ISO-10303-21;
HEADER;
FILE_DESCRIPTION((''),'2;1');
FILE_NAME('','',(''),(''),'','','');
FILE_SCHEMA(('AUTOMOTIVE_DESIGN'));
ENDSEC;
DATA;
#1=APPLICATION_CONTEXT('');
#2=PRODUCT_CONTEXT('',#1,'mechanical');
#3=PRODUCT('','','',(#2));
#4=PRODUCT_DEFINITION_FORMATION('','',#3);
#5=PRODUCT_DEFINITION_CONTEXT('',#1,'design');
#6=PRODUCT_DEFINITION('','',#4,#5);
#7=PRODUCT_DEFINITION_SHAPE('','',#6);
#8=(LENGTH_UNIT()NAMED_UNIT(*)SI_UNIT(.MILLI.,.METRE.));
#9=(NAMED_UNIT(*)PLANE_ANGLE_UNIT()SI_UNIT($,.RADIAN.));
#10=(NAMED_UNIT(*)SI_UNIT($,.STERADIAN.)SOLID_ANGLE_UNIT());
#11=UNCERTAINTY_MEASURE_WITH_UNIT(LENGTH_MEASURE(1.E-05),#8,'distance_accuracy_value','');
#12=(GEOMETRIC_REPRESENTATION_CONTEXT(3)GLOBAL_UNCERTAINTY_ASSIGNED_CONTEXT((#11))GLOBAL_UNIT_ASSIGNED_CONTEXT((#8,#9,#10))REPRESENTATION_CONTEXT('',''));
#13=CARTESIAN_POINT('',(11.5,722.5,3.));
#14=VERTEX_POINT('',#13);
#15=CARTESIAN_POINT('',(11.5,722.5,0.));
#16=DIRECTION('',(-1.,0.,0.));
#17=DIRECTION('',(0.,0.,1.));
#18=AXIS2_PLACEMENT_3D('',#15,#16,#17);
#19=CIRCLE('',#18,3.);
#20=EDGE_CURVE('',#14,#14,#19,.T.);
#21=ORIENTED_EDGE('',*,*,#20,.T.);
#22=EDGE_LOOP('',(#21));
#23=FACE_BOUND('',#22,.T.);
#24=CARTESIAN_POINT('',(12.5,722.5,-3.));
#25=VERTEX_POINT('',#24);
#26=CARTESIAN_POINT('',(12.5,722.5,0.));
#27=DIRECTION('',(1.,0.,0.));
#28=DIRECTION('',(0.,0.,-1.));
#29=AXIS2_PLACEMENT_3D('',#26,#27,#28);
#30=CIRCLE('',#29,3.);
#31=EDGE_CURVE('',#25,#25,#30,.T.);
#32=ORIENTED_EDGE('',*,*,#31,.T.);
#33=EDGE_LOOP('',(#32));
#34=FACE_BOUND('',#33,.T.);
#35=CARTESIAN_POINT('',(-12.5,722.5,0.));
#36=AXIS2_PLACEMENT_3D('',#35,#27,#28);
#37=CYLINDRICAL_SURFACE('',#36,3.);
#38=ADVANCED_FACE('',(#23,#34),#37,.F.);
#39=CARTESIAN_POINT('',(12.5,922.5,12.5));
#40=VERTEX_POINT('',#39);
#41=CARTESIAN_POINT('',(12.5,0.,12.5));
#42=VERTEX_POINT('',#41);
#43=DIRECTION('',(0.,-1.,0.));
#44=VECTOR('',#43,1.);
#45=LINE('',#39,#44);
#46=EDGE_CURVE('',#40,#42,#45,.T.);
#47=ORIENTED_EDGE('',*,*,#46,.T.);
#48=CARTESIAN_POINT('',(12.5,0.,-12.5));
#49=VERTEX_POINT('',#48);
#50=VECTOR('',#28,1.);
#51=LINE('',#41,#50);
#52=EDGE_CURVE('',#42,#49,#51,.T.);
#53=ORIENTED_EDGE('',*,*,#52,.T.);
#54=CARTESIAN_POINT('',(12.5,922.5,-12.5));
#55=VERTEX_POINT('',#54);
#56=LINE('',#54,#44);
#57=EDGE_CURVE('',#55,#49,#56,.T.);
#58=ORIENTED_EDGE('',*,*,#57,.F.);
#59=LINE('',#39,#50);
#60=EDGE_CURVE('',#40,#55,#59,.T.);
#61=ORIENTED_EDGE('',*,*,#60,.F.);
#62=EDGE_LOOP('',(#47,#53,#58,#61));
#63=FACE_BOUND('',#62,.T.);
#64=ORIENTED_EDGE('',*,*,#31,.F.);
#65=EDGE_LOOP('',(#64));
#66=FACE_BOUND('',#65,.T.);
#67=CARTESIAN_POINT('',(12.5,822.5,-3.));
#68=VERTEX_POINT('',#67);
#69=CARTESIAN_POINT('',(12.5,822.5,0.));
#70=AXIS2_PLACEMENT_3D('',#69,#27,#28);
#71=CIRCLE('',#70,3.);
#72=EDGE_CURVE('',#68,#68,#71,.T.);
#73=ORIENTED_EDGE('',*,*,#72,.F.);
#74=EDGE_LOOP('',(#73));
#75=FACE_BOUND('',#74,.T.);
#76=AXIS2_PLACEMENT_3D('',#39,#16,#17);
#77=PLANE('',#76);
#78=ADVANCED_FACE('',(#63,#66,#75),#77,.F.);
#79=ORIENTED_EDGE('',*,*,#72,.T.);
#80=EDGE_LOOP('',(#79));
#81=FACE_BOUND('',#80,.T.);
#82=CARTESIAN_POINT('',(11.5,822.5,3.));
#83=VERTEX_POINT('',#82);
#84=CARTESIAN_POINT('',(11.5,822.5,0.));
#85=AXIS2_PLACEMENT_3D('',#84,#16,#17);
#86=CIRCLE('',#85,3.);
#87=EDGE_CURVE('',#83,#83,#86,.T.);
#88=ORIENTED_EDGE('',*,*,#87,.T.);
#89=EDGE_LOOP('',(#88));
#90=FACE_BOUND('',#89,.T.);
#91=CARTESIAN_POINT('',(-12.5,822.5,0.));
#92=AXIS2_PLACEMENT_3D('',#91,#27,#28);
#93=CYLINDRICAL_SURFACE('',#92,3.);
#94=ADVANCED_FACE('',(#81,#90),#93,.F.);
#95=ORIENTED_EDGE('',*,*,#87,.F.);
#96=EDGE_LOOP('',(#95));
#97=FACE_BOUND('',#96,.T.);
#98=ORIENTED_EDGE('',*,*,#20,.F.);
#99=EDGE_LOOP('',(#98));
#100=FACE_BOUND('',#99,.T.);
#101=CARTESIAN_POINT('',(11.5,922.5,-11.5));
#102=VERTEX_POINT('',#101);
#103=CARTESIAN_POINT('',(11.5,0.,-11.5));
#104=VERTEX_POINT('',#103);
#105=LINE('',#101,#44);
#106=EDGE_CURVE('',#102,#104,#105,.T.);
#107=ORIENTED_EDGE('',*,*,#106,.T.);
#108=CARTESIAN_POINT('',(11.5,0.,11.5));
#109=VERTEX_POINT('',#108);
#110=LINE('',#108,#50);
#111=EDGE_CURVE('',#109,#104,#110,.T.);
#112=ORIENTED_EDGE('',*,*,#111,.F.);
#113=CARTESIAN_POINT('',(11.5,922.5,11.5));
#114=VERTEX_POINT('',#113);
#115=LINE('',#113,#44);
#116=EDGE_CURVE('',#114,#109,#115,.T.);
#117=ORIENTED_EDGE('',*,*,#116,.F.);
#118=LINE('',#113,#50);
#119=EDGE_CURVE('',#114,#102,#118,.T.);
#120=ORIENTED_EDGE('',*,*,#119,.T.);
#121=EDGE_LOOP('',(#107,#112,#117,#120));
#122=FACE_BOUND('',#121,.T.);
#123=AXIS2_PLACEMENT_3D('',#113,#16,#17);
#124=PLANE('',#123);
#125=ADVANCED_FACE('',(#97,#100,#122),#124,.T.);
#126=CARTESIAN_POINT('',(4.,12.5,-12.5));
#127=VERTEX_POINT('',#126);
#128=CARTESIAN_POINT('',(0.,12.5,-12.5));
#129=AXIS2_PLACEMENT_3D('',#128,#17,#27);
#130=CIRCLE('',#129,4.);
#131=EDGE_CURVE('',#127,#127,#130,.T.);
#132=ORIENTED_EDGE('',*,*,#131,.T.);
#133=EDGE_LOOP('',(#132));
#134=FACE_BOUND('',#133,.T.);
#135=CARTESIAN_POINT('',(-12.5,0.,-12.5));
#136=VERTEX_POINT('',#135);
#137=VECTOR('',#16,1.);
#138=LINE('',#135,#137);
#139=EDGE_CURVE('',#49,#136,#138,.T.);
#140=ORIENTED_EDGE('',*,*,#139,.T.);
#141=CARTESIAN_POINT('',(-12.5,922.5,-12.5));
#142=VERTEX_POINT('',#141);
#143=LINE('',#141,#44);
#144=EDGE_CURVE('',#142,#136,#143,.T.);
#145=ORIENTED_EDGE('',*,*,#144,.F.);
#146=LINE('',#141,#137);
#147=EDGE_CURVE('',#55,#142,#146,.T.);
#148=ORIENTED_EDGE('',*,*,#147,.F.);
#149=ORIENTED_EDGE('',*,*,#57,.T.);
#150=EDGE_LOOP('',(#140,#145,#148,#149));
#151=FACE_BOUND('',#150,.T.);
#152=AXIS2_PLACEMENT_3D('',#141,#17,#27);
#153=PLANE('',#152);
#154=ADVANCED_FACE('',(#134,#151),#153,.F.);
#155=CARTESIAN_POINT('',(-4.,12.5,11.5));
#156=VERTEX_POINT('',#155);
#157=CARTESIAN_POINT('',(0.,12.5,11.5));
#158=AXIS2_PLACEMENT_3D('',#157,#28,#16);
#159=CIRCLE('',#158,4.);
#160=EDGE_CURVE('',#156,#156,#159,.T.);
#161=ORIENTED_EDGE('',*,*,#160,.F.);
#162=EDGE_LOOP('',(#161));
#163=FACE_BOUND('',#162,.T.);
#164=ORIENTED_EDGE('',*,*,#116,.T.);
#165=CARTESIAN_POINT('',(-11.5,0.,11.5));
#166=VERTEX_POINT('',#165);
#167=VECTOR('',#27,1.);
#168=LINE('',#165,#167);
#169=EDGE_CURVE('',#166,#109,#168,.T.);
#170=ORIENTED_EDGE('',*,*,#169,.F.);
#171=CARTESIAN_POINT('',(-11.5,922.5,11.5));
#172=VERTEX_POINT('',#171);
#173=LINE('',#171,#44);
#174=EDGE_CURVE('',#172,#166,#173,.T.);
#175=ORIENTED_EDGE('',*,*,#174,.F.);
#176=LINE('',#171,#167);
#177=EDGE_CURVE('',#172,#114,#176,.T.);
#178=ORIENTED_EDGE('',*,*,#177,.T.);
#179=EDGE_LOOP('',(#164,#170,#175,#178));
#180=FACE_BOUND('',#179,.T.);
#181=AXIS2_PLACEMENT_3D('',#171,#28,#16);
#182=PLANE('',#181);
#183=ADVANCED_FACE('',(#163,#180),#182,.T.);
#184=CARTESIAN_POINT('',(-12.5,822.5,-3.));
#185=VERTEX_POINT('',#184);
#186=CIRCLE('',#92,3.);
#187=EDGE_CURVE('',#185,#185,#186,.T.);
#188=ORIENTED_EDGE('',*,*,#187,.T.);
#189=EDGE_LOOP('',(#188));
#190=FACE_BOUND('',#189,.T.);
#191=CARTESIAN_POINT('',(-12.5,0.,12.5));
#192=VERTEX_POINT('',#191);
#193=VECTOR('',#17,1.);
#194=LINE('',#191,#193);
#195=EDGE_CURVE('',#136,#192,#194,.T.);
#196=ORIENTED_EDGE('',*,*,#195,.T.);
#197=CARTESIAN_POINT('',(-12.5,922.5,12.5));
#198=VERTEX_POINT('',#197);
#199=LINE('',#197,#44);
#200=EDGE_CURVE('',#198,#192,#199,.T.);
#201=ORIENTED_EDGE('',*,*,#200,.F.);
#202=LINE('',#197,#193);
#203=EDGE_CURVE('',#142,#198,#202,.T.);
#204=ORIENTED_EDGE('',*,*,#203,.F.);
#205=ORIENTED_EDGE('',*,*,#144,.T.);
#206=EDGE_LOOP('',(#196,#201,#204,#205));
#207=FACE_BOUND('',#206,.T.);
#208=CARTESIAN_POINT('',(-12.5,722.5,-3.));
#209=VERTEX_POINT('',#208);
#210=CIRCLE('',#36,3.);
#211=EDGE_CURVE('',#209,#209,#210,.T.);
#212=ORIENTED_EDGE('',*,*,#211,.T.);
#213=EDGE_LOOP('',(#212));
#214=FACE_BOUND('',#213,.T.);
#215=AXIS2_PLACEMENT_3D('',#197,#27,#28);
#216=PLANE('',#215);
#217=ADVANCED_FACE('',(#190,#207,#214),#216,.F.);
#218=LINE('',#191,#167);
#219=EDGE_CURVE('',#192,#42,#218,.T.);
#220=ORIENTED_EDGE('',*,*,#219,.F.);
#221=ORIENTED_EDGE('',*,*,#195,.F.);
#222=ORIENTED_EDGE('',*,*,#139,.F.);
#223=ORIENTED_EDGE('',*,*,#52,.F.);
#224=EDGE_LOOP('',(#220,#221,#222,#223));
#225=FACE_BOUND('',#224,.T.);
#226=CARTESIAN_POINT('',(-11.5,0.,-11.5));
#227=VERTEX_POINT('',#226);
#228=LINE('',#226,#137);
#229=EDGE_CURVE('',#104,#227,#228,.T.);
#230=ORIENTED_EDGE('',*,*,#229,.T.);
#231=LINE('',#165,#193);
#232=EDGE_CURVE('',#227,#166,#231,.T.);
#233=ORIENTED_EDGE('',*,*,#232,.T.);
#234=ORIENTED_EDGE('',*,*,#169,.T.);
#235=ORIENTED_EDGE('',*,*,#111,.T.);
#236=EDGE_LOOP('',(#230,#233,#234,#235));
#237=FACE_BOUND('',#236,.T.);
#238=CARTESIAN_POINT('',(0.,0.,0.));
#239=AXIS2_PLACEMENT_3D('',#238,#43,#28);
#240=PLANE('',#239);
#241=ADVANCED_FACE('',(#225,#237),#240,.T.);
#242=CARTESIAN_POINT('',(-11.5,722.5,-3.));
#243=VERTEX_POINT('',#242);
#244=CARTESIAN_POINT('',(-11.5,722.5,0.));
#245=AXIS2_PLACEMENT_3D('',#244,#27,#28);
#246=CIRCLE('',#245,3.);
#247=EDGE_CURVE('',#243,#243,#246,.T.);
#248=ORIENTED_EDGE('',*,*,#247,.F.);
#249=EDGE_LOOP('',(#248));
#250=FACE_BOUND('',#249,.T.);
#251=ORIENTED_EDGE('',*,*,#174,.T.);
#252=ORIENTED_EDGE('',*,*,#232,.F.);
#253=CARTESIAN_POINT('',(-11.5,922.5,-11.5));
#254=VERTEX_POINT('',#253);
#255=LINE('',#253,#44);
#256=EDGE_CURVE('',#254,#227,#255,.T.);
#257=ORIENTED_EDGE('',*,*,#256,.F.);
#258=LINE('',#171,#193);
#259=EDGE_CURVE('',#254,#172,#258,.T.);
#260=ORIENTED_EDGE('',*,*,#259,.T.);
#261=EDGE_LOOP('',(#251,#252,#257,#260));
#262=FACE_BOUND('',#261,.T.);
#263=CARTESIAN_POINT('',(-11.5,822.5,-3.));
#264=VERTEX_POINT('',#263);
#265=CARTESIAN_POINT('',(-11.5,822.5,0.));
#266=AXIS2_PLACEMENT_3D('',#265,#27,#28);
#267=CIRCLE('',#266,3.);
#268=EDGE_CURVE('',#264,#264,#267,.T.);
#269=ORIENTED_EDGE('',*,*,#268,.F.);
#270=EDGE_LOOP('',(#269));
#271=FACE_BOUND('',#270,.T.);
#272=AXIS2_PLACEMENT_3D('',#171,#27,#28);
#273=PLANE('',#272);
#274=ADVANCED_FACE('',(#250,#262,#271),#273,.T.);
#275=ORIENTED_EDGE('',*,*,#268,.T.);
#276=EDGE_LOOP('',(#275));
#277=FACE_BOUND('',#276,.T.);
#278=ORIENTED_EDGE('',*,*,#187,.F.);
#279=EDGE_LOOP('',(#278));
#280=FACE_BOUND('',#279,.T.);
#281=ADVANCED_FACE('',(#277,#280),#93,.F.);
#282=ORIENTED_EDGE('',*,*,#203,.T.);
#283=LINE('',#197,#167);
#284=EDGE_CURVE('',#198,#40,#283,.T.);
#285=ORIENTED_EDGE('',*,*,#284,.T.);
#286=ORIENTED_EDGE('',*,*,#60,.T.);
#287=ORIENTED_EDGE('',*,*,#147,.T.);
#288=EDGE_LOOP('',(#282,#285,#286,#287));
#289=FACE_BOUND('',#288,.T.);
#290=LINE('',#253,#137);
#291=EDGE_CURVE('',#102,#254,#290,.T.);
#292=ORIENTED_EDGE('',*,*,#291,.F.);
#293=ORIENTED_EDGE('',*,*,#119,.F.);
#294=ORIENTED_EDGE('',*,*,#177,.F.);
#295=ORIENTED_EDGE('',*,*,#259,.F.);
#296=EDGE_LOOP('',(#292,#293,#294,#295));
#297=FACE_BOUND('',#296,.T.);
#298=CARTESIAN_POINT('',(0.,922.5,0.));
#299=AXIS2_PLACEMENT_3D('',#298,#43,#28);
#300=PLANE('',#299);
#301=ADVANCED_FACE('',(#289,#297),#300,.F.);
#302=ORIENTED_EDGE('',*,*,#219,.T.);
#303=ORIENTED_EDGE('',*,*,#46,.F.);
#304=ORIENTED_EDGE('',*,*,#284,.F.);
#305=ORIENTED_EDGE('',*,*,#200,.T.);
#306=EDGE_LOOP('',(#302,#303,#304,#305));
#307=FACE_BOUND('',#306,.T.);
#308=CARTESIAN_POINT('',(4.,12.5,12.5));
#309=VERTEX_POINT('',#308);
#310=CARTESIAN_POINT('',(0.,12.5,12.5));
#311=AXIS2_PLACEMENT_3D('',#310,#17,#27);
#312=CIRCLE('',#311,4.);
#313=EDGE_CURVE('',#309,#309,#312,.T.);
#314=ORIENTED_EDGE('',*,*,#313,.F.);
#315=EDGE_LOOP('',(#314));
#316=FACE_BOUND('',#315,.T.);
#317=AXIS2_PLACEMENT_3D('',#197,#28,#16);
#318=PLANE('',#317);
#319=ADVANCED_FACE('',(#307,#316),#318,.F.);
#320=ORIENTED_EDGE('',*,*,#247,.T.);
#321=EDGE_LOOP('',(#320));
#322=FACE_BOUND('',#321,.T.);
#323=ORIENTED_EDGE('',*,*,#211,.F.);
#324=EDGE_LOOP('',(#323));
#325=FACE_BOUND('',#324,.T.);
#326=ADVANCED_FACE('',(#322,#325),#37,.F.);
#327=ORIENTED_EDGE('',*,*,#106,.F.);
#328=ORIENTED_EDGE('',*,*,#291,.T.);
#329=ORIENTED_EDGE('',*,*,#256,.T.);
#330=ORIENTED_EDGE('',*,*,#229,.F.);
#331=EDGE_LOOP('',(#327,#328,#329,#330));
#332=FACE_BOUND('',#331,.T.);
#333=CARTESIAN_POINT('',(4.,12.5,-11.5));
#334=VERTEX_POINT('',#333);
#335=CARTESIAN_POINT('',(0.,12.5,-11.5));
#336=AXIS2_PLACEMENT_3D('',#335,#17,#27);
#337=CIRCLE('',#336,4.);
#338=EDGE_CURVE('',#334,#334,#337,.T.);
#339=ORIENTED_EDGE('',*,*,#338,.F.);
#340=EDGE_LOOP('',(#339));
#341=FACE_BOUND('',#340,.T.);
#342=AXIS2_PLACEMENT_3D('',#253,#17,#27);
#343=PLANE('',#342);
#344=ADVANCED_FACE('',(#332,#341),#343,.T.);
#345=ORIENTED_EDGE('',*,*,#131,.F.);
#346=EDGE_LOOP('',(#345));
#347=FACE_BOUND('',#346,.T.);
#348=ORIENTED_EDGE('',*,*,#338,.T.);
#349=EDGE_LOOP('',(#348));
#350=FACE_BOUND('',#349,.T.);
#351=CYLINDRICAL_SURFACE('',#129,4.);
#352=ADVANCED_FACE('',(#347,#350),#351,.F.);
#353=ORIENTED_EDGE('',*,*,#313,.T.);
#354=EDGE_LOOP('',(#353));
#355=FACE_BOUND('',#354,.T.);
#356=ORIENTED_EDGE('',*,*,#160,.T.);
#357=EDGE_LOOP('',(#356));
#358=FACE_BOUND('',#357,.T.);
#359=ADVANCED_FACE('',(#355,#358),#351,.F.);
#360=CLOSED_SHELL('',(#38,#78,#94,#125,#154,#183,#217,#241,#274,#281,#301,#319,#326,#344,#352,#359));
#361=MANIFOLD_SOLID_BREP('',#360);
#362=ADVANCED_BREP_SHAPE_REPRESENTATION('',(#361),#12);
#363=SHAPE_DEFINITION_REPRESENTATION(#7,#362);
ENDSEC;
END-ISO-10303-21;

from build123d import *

# Parameters (mm, degrees)
SKETCH1_W           = 25
SKETCH1_H           = 25
SKETCH1_W_2         = 23
SKETCH1_H_2         = 23
BOSS_EXTRUDE1_DEPTH = 922.5
SKETCH2_R           = 3
CUT_EXTRUDE1_DEPTH  = 923.923344596
SKETCH3_R           = 4
CUT_EXTRUDE2_DEPTH  = 923.923344596


with BuildPart() as part:
    # Sketch1 → Boss-Extrude1 (new body)
    with BuildSketch(Plane(origin=(0, 0, 0), x_dir=(1, 0, 0), z_dir=(0, 1, 0))):
        Rectangle(SKETCH1_W, SKETCH1_H)
        Rectangle(SKETCH1_W_2, SKETCH1_H_2, mode=Mode.SUBTRACT)
    extrude(amount=BOSS_EXTRUDE1_DEPTH)

    # Sketch2 → Cut-Extrude1 (cut, through all)
    with BuildSketch(Plane(origin=(12.5, 0, 0), x_dir=(0, 0, -1), z_dir=(1, 0, 0))):
        with Locations((0, 822.5)):
            Circle(SKETCH2_R)
        with Locations((0, 722.5)):
            Circle(SKETCH2_R)
    extrude(amount=-CUT_EXTRUDE1_DEPTH, mode=Mode.SUBTRACT)

    # Sketch3 → Cut-Extrude2 (cut, through all)
    with BuildSketch(Plane.XY.offset(12.5)):
        with Locations((0, 12.5)):
            Circle(SKETCH3_R)
    extrude(amount=-CUT_EXTRUDE2_DEPTH, mode=Mode.SUBTRACT)


solid = part.part
